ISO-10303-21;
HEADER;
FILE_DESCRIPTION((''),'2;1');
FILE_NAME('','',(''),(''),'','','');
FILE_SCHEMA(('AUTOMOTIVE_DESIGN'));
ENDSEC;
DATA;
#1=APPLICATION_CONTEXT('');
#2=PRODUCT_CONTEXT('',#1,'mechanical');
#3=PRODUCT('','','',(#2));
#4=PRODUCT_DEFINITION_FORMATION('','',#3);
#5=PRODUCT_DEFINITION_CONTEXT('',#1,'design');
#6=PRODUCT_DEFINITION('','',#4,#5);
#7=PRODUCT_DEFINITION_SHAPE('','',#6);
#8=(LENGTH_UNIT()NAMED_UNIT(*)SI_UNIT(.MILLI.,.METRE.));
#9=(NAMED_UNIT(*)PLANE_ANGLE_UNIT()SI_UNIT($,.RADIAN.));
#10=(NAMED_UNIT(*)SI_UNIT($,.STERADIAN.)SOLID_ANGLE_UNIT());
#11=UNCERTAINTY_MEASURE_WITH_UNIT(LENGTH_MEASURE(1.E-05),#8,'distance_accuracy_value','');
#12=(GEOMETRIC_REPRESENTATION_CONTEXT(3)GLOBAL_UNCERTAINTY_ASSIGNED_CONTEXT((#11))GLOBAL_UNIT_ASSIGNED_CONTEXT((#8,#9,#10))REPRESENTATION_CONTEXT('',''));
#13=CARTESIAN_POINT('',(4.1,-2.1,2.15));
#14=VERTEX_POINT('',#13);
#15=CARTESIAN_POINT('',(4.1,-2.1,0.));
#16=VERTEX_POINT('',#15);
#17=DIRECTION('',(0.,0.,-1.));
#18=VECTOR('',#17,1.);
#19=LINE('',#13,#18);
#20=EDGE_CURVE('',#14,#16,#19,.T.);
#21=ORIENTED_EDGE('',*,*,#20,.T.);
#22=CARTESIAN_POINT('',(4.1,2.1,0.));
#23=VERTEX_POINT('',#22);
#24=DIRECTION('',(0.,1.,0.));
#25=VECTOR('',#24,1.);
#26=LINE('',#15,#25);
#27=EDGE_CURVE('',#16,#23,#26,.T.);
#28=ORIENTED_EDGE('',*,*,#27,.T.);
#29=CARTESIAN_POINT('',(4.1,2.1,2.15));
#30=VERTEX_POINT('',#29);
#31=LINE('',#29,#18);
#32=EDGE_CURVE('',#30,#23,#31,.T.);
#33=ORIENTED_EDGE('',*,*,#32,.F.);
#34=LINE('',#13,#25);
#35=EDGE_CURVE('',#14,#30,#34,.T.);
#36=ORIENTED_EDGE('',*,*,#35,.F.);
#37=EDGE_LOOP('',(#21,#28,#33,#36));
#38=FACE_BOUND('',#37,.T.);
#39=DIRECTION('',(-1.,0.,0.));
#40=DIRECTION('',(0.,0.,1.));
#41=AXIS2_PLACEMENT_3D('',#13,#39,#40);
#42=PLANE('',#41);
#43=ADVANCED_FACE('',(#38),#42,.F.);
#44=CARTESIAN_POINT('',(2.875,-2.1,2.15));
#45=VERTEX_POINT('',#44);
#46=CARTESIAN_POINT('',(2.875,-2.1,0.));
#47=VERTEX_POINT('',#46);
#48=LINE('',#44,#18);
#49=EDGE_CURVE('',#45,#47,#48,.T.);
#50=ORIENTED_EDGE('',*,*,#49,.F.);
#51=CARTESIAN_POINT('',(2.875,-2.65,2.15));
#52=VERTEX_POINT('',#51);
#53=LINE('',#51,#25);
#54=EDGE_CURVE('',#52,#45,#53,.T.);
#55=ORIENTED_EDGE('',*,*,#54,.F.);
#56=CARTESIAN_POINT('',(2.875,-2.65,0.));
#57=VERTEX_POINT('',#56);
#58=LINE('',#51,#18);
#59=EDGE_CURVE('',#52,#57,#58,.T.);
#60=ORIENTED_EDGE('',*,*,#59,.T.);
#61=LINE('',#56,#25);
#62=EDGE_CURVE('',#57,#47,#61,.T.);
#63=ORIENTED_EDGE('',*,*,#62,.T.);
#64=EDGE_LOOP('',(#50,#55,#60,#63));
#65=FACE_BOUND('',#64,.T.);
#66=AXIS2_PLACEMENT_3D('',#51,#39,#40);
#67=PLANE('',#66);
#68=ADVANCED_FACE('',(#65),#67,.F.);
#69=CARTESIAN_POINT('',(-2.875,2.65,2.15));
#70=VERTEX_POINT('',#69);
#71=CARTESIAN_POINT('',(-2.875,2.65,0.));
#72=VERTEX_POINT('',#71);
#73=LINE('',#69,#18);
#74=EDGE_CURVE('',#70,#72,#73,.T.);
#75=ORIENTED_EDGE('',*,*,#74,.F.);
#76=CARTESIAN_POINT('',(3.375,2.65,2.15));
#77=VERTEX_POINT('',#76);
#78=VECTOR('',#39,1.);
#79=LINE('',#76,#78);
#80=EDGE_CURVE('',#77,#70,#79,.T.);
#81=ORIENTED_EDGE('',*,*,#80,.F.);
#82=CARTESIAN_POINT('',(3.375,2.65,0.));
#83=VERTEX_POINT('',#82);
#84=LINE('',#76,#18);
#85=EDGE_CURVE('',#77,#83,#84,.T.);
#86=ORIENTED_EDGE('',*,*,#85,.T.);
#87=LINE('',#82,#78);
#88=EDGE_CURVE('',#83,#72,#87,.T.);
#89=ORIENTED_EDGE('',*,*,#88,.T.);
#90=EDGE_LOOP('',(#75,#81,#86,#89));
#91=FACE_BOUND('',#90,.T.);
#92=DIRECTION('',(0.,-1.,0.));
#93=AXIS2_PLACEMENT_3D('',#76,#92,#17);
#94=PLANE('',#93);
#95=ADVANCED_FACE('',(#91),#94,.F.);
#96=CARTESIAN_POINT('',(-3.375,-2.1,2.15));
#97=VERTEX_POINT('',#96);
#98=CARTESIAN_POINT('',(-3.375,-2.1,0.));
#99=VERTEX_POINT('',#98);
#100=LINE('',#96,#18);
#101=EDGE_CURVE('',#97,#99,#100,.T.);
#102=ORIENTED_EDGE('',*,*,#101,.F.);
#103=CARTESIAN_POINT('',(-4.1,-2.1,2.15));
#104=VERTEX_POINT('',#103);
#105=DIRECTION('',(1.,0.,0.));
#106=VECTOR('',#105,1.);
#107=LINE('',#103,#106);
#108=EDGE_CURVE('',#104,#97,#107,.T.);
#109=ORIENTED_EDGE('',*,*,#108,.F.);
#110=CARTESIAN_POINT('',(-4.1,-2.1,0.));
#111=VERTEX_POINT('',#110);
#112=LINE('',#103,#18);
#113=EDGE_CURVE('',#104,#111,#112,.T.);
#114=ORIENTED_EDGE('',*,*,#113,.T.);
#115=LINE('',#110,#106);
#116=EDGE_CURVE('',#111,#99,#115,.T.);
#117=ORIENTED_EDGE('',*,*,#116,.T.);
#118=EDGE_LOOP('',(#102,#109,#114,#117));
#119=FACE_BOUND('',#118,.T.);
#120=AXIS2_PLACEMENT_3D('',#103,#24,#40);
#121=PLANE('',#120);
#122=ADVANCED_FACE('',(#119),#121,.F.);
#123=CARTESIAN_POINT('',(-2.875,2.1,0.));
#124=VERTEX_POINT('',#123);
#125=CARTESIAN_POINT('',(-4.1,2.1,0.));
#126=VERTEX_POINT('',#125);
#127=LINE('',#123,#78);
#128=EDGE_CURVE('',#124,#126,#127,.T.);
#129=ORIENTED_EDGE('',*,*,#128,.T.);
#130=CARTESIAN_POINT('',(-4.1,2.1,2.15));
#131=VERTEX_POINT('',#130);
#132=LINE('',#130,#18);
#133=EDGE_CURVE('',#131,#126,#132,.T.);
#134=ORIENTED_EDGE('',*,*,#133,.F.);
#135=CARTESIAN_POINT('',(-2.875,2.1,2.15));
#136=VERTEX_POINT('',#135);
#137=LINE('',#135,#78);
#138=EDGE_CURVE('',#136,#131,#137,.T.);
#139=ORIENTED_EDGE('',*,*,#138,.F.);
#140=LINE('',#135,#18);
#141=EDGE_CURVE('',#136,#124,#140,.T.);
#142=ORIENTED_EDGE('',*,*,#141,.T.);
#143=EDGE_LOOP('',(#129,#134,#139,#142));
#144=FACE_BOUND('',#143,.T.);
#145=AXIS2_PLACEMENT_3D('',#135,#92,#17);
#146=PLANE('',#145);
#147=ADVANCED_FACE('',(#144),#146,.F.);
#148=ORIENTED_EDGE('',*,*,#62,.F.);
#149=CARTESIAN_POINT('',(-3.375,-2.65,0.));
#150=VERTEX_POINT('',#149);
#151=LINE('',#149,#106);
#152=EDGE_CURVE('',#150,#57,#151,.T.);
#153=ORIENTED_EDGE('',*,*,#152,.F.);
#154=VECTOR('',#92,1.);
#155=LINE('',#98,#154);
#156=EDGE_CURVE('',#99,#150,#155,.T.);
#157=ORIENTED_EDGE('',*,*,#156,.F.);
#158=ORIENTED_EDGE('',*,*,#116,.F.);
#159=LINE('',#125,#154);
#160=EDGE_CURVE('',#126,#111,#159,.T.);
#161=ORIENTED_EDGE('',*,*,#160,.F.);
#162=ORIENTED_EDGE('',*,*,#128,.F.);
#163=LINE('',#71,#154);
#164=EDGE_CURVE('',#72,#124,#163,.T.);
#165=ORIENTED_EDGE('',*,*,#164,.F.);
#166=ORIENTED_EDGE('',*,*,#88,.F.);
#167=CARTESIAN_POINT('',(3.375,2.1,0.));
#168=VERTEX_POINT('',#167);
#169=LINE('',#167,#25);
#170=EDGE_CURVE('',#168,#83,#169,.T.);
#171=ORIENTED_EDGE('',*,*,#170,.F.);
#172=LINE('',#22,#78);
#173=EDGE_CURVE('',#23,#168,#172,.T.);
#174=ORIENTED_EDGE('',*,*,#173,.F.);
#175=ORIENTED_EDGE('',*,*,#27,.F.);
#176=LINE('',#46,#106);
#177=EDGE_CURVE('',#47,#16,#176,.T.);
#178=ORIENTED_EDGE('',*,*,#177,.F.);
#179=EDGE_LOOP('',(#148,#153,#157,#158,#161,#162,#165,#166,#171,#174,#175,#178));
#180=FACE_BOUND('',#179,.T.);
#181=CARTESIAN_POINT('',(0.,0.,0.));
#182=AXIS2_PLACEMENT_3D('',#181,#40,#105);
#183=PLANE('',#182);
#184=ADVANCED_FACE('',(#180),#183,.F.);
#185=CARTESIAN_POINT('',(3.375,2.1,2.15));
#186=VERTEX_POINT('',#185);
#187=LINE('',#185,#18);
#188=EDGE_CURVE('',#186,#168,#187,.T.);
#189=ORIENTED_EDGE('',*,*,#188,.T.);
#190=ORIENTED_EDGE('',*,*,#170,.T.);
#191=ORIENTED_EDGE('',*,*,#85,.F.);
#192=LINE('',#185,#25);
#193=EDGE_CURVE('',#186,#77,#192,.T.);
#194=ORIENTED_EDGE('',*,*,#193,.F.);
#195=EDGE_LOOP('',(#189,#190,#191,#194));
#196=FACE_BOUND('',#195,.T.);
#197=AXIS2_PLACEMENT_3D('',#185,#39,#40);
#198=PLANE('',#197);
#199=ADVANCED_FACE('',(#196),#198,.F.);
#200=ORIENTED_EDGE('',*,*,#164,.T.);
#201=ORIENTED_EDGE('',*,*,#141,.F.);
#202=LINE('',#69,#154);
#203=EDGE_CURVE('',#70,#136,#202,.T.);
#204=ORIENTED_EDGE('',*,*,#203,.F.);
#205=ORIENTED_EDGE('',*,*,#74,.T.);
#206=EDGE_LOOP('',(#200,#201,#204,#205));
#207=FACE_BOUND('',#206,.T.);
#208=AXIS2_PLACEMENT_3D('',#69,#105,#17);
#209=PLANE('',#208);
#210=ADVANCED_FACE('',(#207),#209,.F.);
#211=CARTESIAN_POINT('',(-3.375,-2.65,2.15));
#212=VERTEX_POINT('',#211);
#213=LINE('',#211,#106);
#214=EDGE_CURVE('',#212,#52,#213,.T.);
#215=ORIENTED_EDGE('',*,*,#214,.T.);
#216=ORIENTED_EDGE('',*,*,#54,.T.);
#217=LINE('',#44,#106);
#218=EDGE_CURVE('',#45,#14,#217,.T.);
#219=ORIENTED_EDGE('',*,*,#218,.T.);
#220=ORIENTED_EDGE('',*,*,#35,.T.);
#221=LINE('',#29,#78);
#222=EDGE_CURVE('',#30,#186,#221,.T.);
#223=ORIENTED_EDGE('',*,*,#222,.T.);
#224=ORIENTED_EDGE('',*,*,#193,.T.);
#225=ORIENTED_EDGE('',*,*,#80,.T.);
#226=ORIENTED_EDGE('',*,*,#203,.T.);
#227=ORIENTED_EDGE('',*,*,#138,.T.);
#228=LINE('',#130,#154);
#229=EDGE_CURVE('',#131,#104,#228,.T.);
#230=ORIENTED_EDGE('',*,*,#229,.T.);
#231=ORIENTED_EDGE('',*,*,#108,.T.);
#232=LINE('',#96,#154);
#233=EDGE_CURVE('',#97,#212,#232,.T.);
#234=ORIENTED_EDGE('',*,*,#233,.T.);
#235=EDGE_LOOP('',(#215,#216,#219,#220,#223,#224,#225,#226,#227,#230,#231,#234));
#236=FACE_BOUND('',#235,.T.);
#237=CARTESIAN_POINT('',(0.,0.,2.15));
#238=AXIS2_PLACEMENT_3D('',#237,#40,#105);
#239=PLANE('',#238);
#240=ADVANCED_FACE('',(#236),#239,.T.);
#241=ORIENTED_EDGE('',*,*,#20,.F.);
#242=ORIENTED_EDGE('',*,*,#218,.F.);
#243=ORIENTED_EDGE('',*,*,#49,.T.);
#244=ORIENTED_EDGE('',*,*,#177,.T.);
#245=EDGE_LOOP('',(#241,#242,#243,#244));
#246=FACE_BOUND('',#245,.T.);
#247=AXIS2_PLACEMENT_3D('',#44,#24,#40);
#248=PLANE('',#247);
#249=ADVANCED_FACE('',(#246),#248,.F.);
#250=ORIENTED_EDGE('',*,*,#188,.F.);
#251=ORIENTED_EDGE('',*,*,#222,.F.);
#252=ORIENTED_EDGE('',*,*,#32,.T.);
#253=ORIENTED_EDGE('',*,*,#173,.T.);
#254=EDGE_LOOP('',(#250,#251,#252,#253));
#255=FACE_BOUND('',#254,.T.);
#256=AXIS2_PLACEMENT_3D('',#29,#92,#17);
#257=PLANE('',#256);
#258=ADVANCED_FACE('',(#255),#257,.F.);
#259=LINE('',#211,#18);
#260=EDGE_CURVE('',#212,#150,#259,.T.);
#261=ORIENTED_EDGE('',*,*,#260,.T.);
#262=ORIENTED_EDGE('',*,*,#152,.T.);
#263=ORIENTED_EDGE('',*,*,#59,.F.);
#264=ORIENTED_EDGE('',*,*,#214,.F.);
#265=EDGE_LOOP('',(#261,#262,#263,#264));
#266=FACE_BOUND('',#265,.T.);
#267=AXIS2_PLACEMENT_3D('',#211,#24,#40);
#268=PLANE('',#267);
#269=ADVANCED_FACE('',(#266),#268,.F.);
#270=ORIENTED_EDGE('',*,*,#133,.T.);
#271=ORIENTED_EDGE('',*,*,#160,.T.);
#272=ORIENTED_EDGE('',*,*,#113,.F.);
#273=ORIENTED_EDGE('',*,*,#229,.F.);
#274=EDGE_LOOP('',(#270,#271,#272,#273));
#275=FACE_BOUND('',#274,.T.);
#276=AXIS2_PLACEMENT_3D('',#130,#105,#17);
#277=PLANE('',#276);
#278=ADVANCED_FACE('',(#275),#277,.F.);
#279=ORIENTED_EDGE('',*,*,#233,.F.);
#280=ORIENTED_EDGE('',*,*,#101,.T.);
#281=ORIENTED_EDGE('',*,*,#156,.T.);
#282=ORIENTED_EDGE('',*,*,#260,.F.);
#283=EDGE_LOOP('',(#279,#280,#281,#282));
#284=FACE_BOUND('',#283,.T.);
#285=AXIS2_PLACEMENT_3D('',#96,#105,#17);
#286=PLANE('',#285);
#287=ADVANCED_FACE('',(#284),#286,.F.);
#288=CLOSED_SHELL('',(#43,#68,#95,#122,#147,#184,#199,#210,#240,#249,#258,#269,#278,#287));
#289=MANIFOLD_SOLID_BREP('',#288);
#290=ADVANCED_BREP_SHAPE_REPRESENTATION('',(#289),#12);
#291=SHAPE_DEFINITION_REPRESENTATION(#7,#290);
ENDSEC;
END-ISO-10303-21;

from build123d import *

# Parameters (mm, degrees)
COMPONENT_OUTLINE_DEPTH = 2.15


with BuildPart() as part:
    # 草图1 → Component_Outline (new body)
    with BuildSketch(Plane.XY):
        Polygon((2.875, -2.65), (2.875, -2.1), (4.1, -2.1), (4.1, 2.1), (3.375, 2.1), (3.375, 2.65), (-2.875, 2.65), (-2.875, 2.1), (-4.1, 2.1), (-4.1, -2.1), (-3.375, -2.1), (-3.375, -2.65), align=None)
    extrude(amount=COMPONENT_OUTLINE_DEPTH)


solid = part.part
